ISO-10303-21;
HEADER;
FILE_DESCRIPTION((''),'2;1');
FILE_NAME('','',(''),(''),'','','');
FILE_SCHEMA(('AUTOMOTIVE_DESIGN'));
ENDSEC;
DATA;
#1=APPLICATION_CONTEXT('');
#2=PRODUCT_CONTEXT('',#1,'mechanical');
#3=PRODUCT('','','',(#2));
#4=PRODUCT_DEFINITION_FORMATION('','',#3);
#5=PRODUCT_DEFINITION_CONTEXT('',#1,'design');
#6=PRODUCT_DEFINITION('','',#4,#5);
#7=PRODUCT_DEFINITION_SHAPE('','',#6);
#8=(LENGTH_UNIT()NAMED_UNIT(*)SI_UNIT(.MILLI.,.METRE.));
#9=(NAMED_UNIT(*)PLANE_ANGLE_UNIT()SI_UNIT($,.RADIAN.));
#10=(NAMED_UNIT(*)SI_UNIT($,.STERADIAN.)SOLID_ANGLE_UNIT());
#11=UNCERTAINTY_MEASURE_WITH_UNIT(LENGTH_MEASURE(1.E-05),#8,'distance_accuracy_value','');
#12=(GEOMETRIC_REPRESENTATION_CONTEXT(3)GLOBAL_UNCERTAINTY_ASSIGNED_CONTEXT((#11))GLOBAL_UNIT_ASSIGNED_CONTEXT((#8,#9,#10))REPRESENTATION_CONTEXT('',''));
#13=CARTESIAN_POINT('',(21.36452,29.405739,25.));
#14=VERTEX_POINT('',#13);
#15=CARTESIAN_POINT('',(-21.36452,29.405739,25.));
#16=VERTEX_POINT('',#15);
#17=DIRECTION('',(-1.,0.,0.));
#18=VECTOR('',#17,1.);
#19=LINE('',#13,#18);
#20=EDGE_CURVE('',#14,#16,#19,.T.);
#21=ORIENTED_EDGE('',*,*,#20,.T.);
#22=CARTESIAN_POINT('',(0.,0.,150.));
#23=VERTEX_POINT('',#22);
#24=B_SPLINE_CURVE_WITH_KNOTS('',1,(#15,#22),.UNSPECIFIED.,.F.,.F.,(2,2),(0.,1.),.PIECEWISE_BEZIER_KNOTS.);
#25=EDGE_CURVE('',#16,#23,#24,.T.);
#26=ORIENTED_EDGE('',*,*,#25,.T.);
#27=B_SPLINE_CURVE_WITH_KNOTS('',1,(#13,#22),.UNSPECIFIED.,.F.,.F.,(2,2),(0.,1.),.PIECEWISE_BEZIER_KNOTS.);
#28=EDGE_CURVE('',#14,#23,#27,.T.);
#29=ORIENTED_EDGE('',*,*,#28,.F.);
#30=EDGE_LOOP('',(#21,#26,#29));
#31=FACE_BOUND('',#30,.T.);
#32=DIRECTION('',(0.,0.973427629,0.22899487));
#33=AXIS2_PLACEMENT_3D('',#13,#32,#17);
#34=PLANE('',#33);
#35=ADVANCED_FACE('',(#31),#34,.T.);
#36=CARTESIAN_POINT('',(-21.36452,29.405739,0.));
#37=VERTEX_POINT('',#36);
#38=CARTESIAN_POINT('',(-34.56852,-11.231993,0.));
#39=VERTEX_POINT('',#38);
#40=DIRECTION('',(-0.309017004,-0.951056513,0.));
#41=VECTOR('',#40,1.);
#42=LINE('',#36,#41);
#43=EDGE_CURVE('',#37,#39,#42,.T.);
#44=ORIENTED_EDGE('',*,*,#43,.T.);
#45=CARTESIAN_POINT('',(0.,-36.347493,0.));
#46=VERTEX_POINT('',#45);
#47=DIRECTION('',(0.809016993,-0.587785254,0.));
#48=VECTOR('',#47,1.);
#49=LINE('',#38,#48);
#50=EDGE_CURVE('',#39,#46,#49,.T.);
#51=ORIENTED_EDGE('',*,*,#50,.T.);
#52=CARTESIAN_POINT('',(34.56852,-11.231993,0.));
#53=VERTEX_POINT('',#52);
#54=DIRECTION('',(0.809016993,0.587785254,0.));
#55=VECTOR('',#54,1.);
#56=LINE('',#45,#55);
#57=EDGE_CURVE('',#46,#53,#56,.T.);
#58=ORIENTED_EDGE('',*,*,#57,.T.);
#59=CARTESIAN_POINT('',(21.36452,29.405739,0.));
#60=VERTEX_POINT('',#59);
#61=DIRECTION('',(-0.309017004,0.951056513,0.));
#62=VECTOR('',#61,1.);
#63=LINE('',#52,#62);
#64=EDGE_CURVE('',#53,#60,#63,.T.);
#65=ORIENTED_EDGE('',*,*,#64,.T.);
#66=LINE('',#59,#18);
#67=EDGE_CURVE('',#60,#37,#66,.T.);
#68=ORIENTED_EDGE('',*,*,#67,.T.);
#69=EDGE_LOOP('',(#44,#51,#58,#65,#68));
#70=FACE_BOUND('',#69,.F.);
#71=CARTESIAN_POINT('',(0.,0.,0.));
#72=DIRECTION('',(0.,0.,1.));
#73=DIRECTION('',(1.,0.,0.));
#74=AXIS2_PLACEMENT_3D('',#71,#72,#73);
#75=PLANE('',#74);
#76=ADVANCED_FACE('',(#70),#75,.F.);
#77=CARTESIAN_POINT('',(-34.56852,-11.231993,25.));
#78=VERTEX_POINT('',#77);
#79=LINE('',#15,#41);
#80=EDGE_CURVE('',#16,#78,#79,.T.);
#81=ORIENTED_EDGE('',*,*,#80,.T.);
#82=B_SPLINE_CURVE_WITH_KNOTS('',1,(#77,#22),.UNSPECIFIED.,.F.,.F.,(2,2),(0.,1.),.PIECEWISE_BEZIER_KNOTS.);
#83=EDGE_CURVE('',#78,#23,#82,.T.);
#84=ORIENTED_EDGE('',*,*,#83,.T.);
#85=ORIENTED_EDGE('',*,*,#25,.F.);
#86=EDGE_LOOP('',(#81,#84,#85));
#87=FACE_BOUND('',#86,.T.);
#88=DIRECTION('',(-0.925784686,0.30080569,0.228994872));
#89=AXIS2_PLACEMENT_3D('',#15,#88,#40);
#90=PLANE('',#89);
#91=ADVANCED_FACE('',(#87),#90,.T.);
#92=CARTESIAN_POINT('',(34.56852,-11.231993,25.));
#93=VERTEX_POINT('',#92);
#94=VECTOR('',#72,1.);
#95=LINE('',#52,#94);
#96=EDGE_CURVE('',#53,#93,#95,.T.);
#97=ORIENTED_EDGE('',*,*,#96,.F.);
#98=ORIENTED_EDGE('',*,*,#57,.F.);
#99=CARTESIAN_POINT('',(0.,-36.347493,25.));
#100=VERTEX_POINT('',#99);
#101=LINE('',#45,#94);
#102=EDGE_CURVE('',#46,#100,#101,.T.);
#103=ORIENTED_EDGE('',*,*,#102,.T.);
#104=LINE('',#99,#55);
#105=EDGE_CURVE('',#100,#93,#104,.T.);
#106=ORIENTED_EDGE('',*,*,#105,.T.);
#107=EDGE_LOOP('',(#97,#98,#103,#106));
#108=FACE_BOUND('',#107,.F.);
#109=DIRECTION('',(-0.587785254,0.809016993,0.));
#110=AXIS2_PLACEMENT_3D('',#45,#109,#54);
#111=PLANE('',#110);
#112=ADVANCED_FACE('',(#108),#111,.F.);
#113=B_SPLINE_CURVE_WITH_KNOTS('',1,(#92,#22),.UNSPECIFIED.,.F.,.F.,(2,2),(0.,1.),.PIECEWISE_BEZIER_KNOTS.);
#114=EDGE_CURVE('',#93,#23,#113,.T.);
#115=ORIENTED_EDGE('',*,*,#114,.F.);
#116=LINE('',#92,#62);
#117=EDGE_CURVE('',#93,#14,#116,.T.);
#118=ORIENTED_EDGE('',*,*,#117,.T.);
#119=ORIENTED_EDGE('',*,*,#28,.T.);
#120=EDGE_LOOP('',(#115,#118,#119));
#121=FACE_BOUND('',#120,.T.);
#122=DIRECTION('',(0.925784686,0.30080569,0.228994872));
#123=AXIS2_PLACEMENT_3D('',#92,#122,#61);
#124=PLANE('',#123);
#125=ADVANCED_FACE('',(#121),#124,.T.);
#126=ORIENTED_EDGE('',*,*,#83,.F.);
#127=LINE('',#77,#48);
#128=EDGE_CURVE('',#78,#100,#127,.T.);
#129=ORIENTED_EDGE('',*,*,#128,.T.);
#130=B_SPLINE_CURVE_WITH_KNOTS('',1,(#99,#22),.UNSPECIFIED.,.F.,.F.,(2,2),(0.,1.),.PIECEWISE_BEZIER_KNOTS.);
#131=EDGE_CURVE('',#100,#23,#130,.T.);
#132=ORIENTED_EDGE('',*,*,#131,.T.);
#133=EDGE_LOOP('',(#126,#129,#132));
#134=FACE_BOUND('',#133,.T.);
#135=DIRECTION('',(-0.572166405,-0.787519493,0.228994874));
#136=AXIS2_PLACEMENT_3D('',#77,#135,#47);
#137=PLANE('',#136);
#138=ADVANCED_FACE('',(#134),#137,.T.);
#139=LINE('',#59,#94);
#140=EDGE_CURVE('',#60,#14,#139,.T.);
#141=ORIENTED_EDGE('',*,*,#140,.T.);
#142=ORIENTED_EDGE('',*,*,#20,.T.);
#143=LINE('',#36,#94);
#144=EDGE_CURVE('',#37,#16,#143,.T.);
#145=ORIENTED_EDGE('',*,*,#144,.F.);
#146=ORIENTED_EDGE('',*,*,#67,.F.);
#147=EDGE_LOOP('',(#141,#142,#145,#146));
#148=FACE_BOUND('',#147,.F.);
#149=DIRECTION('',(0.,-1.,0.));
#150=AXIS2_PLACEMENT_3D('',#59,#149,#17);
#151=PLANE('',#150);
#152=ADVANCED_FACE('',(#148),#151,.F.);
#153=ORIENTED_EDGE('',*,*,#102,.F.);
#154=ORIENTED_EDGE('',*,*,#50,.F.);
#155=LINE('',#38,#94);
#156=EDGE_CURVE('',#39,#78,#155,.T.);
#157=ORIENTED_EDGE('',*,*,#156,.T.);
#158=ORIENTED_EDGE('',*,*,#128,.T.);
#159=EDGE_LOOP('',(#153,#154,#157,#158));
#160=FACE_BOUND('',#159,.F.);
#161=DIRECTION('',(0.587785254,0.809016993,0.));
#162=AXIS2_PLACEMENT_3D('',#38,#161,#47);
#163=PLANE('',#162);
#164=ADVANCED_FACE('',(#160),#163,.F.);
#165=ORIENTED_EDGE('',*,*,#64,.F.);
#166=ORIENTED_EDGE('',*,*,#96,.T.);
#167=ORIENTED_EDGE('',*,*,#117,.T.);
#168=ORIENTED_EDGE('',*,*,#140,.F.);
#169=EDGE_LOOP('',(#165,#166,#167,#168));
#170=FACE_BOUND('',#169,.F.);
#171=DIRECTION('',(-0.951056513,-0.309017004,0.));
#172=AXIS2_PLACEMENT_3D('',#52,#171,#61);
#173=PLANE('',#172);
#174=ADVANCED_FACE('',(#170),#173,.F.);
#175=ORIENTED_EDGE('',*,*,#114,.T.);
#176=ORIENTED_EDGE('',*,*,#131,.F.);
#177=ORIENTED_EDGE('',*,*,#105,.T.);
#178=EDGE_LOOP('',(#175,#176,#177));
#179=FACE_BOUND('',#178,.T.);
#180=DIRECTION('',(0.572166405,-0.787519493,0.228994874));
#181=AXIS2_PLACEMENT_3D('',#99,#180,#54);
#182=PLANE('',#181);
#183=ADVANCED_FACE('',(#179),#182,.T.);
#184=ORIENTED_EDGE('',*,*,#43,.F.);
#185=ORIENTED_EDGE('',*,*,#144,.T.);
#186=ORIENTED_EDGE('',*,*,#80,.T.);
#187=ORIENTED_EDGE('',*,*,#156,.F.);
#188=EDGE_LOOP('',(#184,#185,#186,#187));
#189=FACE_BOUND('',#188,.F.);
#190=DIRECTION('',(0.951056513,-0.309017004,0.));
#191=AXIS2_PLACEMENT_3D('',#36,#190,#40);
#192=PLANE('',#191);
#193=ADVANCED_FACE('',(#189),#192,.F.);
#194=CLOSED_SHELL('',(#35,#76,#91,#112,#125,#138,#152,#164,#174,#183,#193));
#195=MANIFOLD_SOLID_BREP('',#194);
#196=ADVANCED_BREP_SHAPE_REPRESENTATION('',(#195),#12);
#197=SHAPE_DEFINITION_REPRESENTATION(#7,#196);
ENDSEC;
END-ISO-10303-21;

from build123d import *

# Parameters (mm, degrees)
F1_DEPTH = 25


with BuildPart() as f1:
    # F0 (on Top) → F1 (new body)
    with BuildSketch(Plane.XY):
        Polygon((21.36452, 29.405739), (-21.36452, 29.405739), (-34.56852, -11.231993), (0, -36.347493), (34.56852, -11.231993), align=None)
    extrude(amount=F1_DEPTH)

    # F1_face (on face) → F4 section 0
    with BuildSketch(Plane.XY.offset(25), mode=Mode.PRIVATE) as f4_s0:
        Polygon((34.56852, -11.231993), (21.36452, 29.405739), (-21.36452, 29.405739), (-34.56852, -11.231993), (0, -36.347493), align=None)
    loft([f4_s0.sketch, Vertex(0, 0, 150)])


solid = f1.part
